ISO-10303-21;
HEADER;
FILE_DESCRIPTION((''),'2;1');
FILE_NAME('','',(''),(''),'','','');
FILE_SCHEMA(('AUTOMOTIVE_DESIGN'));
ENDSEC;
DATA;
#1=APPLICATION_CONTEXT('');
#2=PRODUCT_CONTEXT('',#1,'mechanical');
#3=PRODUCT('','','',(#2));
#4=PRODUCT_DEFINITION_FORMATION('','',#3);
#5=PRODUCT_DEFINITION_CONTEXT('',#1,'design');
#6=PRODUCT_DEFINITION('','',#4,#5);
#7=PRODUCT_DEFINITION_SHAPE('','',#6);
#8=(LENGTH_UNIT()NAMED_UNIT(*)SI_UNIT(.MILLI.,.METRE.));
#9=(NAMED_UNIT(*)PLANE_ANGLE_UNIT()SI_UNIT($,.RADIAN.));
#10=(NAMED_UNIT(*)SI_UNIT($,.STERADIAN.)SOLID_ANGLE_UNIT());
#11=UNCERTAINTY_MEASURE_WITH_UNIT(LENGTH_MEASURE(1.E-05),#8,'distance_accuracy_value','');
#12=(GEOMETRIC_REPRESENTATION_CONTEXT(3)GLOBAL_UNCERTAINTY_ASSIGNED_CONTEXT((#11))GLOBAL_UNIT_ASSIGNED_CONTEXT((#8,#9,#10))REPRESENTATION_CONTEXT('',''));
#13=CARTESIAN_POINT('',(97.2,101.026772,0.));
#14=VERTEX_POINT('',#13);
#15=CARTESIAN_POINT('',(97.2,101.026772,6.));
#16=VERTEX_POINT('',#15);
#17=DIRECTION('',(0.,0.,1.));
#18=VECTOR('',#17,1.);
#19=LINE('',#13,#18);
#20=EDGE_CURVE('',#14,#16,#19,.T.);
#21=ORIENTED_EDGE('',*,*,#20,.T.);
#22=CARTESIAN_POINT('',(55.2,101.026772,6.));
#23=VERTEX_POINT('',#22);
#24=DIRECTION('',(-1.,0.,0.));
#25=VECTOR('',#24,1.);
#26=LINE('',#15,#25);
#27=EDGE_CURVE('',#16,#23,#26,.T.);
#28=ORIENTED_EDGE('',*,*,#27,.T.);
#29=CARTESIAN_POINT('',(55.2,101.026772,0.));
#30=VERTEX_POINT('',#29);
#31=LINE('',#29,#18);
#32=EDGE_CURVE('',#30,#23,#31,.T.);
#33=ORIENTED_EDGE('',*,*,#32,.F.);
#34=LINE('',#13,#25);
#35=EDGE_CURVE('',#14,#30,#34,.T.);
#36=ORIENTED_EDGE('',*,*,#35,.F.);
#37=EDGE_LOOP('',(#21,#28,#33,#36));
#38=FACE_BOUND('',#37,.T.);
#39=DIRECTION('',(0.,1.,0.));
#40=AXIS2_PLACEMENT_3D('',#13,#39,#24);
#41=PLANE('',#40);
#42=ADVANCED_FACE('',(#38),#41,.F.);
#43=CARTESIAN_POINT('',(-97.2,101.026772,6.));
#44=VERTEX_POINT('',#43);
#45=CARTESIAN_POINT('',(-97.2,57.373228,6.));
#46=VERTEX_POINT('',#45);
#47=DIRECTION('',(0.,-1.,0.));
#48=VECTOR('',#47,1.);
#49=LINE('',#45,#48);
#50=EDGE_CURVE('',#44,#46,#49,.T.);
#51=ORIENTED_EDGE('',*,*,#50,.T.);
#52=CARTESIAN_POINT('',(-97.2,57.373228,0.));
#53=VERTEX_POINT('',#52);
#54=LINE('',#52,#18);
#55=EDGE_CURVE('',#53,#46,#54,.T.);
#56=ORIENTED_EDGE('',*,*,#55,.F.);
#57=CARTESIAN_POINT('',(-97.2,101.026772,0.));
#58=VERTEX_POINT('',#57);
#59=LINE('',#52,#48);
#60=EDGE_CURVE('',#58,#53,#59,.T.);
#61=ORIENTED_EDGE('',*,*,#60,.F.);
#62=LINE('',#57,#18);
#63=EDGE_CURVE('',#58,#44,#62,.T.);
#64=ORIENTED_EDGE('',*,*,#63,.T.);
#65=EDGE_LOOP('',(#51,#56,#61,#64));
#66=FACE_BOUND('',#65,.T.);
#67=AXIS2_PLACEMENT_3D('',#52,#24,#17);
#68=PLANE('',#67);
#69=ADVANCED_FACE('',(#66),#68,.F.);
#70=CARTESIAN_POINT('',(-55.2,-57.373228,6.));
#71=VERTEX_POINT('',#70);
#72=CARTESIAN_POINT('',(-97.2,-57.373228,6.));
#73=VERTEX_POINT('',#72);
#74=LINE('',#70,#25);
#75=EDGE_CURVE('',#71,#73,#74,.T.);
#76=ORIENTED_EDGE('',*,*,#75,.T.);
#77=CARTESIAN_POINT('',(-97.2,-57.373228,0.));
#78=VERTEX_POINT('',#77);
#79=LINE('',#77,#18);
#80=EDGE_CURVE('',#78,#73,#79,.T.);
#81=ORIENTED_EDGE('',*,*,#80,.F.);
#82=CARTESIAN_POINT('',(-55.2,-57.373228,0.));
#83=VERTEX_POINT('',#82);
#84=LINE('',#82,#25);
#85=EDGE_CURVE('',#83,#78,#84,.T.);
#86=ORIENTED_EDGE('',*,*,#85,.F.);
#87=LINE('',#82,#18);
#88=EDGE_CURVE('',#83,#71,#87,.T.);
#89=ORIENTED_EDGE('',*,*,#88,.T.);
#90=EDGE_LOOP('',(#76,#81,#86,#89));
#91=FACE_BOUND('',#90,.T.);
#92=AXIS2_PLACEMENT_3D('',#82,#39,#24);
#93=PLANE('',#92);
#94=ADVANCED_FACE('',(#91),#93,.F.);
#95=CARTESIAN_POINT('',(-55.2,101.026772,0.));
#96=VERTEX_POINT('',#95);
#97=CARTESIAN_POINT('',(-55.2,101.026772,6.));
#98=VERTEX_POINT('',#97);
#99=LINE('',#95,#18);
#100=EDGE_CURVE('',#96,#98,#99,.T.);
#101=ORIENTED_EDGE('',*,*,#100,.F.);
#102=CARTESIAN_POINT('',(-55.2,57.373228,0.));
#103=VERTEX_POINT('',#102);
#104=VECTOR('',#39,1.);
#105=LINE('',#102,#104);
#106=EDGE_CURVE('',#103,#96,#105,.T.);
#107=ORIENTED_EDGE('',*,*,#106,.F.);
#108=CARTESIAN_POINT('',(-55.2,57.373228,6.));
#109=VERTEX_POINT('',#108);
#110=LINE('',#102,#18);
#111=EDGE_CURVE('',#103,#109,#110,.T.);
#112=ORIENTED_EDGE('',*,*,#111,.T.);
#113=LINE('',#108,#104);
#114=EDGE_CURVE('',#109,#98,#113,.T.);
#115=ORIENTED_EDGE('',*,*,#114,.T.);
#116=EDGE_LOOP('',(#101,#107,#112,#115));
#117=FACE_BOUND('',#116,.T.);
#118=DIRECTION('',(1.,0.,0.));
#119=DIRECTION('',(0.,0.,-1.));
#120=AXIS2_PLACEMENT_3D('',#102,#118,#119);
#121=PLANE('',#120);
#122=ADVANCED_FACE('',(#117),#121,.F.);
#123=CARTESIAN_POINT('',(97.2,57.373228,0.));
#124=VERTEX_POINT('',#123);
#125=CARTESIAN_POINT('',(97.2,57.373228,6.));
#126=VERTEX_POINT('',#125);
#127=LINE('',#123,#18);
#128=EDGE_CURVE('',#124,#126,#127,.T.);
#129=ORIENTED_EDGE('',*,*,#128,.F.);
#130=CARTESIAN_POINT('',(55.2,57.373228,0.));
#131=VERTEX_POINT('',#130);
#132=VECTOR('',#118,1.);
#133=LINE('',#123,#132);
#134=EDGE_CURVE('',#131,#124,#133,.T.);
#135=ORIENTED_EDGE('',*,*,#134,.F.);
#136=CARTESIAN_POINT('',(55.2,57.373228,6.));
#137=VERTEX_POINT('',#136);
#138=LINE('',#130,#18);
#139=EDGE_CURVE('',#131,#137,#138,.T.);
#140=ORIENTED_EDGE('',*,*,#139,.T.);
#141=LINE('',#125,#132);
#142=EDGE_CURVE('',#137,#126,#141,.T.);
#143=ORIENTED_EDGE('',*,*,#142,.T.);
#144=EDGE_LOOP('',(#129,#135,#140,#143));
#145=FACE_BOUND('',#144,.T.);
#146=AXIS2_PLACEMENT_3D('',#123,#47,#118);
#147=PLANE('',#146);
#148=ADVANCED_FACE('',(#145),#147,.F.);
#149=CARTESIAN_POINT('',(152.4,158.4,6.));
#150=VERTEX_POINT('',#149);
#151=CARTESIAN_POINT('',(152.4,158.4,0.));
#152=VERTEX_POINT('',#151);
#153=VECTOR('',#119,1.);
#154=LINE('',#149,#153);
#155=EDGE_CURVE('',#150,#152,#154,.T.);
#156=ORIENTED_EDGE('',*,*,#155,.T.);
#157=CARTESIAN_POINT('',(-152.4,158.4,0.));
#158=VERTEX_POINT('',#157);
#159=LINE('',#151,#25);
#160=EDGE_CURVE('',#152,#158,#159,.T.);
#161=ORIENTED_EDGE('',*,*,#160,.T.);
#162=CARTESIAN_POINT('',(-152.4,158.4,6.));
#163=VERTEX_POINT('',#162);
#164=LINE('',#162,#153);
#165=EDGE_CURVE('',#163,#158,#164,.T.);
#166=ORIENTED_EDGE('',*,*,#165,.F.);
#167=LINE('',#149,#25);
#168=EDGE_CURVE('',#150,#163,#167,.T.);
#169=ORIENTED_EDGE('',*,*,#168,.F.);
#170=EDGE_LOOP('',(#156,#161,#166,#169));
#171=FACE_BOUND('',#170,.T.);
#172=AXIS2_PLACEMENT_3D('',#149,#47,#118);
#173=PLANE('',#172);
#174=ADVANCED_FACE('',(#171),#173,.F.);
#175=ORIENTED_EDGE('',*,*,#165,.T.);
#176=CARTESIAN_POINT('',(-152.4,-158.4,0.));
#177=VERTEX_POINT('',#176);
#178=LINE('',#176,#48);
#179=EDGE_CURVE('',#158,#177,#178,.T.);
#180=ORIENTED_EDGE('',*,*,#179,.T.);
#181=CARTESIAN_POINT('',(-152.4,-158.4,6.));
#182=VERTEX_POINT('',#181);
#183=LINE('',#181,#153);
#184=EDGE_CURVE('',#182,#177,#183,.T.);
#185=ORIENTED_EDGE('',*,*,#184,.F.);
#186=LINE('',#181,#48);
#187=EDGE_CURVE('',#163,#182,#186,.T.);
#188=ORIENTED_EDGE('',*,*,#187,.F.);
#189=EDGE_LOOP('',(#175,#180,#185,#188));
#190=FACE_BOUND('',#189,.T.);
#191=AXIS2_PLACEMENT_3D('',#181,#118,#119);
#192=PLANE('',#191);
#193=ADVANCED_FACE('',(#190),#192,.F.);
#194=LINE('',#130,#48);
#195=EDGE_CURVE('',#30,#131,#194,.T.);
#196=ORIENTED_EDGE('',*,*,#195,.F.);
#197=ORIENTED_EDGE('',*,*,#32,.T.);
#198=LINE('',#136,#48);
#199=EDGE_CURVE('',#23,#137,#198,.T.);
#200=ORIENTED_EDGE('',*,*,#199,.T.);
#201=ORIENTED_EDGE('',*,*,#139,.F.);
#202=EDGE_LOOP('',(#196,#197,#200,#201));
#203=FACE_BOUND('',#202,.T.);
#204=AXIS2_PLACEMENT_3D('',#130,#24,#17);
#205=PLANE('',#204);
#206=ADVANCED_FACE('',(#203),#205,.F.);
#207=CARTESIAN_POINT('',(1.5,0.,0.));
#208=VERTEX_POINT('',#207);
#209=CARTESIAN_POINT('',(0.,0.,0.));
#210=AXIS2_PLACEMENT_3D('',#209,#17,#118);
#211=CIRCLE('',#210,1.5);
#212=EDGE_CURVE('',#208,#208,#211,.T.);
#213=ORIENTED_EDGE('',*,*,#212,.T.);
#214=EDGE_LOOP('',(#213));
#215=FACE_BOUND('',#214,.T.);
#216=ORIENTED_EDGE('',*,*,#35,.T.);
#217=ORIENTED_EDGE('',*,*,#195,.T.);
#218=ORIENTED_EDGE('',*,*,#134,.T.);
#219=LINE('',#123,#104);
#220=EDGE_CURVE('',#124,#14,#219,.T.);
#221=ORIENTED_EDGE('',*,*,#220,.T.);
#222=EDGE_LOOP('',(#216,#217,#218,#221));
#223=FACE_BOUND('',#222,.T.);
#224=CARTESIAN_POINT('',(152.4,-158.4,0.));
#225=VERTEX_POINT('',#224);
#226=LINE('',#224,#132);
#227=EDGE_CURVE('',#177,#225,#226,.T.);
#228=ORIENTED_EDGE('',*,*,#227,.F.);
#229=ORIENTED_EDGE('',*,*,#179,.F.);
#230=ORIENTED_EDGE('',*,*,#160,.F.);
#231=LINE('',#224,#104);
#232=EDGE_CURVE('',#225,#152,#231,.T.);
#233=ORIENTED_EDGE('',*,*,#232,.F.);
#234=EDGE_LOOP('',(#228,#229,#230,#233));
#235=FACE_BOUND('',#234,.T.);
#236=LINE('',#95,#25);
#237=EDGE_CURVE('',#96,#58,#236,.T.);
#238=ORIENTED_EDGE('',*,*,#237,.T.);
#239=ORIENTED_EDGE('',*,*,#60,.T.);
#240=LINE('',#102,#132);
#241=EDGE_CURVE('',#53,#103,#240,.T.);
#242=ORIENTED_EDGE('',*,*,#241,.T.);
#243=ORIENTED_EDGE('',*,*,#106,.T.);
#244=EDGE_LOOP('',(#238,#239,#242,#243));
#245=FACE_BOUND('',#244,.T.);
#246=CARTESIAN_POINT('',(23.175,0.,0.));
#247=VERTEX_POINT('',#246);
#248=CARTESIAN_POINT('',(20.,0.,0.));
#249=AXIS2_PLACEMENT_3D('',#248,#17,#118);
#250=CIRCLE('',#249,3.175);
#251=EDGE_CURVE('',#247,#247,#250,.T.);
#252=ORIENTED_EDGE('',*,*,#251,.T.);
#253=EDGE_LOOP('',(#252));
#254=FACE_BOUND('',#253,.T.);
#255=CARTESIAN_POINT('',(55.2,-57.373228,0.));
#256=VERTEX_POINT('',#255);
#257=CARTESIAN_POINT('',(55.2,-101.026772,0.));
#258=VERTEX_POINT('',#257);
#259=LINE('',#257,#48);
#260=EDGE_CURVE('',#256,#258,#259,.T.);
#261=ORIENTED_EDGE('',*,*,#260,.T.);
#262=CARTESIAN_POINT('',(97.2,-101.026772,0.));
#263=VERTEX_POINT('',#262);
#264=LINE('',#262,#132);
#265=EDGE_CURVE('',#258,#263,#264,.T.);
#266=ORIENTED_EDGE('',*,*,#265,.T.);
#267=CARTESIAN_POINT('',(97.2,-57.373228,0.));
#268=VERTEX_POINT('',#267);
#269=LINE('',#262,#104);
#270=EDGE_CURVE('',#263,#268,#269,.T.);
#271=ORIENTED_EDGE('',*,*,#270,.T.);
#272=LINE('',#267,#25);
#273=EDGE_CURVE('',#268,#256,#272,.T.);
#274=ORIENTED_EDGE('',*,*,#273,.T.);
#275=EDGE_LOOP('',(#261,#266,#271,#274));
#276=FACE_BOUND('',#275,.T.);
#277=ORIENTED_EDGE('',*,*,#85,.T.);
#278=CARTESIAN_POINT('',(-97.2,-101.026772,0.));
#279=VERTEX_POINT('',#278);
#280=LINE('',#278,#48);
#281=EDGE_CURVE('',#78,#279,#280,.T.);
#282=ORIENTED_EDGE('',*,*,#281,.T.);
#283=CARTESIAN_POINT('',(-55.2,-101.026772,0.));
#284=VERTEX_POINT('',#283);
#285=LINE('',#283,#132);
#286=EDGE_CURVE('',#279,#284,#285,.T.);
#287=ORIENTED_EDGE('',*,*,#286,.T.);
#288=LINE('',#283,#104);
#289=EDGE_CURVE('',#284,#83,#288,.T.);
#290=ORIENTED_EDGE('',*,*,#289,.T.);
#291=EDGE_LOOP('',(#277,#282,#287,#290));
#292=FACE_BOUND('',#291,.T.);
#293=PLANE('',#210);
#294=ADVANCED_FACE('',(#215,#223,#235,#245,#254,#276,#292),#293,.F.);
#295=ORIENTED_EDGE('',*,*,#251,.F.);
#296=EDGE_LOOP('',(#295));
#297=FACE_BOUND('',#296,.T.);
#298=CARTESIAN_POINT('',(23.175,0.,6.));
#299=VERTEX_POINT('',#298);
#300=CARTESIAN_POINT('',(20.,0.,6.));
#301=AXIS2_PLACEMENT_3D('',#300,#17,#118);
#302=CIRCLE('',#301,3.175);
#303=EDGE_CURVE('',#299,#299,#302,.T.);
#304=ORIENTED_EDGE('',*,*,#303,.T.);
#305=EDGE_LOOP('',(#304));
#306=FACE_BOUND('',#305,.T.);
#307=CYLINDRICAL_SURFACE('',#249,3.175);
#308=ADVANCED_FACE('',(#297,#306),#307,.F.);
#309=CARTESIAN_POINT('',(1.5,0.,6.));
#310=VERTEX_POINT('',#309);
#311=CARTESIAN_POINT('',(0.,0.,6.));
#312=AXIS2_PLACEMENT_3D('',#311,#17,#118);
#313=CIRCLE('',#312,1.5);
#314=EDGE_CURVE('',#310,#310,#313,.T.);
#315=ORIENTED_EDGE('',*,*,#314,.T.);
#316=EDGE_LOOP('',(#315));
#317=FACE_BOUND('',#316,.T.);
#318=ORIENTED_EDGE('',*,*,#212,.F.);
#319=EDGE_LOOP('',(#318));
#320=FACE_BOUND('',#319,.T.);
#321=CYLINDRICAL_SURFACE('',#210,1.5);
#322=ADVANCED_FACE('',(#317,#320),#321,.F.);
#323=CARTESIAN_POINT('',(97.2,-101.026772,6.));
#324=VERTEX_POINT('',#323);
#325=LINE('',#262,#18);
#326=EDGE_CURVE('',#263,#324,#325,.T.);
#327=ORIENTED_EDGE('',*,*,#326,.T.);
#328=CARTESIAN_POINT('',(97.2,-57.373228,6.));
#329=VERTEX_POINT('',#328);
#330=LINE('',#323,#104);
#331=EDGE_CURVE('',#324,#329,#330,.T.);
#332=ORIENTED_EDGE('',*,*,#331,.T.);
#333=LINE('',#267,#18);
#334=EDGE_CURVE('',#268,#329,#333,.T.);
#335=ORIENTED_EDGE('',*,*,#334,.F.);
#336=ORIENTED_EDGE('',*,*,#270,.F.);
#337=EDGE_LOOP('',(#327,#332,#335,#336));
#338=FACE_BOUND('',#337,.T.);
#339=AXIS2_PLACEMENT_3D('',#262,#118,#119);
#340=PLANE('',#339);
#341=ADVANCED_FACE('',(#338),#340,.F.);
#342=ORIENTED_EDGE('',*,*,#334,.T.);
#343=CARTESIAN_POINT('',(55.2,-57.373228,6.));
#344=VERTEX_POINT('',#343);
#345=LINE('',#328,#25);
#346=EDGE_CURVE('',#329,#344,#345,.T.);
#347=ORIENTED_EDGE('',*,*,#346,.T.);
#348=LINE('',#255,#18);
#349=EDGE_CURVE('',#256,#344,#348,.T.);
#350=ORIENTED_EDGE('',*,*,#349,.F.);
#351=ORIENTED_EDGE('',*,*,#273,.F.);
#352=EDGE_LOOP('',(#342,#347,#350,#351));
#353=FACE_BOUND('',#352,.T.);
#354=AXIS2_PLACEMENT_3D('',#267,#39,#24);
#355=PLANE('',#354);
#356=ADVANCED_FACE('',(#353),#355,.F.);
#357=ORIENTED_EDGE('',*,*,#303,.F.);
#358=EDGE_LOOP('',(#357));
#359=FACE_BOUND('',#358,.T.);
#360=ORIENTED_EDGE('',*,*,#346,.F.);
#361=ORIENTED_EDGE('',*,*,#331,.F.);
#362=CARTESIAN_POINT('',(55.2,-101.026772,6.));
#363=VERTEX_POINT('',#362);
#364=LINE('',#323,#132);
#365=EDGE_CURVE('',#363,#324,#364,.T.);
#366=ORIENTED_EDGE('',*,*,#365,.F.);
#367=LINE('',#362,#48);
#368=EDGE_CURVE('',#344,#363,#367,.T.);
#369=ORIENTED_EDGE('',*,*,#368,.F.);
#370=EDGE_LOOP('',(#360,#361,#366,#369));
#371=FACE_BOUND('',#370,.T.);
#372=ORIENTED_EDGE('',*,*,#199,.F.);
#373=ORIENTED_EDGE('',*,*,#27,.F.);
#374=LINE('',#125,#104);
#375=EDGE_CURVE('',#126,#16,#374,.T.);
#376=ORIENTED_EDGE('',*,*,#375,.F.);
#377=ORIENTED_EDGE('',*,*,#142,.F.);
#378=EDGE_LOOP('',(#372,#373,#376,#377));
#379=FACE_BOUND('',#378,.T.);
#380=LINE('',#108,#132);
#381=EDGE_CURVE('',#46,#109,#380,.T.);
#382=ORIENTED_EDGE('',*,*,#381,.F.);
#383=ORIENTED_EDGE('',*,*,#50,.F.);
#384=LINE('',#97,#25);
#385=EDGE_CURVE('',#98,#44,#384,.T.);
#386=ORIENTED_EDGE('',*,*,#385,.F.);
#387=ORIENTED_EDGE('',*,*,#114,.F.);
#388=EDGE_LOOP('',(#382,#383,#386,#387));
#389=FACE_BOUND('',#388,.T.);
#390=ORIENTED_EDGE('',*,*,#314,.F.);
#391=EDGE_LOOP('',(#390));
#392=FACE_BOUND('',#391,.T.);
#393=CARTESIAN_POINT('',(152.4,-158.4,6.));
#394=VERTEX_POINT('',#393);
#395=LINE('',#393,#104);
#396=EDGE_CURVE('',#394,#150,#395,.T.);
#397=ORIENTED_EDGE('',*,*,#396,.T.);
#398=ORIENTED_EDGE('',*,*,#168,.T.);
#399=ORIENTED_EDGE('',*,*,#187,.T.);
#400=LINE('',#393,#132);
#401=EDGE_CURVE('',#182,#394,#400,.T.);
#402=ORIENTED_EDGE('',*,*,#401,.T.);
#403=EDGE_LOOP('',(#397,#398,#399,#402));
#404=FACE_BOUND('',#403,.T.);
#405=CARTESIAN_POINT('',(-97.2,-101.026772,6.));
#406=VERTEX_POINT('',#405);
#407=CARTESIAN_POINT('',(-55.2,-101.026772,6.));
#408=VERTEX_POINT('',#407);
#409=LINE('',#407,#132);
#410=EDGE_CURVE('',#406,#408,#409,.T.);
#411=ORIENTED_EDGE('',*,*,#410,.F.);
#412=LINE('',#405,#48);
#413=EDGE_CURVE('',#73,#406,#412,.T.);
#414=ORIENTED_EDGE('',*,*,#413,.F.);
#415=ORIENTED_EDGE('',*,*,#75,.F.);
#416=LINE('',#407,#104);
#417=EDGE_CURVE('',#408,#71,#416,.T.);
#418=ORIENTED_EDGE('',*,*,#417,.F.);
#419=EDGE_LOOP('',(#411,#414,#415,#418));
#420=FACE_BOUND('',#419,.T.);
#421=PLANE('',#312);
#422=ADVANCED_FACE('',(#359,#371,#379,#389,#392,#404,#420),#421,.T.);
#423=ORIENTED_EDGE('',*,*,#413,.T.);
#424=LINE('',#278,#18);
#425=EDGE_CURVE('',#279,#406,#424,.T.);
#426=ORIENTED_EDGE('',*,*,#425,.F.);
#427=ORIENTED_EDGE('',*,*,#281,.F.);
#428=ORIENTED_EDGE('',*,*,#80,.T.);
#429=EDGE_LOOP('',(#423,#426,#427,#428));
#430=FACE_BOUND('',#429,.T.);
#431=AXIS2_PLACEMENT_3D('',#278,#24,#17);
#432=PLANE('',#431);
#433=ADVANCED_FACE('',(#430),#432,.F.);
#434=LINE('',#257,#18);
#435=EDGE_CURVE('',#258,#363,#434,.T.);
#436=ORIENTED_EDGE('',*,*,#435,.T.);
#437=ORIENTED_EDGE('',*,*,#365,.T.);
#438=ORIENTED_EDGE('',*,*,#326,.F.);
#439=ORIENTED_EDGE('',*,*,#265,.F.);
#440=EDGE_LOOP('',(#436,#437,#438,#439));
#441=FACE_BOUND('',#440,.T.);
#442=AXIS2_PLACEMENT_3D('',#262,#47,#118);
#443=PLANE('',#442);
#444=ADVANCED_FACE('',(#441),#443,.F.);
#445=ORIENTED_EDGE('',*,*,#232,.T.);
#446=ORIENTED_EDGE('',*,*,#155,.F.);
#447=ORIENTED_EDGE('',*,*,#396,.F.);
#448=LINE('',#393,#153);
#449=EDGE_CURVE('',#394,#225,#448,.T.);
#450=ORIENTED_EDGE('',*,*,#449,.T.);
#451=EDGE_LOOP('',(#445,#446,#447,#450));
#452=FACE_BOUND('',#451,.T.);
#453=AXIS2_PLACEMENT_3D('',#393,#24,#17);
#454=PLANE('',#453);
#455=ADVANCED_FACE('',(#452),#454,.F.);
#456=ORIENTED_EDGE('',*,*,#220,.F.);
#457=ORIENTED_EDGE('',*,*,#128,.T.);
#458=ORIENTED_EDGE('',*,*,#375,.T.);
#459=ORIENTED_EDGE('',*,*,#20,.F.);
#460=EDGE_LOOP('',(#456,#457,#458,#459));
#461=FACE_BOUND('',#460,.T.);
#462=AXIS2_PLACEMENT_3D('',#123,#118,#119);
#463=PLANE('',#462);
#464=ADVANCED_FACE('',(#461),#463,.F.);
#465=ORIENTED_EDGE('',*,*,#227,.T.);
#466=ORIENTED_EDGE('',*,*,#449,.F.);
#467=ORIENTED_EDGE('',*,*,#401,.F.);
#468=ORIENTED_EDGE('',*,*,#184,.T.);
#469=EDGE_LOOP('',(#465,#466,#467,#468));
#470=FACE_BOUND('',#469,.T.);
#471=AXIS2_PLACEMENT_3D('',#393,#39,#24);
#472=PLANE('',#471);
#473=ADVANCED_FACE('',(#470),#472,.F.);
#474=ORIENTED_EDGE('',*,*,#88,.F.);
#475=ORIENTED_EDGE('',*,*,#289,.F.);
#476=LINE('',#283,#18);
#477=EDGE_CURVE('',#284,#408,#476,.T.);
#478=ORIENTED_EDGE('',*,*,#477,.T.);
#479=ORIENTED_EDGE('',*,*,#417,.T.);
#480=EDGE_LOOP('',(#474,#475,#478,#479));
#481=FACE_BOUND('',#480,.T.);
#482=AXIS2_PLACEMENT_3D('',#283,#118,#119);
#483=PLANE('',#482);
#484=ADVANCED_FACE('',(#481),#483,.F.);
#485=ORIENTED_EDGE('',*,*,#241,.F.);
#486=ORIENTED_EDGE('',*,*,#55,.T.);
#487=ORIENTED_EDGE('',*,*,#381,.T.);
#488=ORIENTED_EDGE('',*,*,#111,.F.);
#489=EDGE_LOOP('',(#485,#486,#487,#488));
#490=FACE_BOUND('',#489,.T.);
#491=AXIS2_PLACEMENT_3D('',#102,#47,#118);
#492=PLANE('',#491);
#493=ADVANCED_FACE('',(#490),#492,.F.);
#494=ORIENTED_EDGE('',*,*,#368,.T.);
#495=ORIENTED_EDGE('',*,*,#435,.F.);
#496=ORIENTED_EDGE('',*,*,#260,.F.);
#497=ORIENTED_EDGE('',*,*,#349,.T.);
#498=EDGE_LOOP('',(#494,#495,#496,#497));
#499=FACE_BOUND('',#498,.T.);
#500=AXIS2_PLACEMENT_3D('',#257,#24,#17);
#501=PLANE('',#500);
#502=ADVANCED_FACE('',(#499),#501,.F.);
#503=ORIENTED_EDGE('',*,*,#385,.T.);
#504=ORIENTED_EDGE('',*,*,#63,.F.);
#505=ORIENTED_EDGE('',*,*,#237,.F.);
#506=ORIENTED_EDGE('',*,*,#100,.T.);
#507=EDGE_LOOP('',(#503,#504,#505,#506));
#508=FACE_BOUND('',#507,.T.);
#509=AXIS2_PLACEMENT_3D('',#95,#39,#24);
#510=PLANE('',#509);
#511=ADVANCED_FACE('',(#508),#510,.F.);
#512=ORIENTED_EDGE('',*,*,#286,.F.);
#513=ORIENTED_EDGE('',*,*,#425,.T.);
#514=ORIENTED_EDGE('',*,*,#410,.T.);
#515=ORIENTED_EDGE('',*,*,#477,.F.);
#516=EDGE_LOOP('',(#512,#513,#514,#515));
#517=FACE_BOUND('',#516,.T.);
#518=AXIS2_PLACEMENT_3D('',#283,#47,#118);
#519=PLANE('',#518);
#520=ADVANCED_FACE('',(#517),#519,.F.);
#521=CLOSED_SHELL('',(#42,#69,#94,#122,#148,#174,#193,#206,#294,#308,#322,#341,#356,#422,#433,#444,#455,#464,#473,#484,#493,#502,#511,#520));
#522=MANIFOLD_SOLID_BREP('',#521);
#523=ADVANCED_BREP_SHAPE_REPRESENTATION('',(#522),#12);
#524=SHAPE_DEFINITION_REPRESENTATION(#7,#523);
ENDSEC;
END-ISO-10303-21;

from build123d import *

# Parameters (mm, degrees)
SKETCH1_W           = 304.8
SKETCH1_H           = 316.8
BOSS_EXTRUDE1_DEPTH = 6
SKETCH3_W           = 42
SKETCH3_H           = 43.653543308
CUT_EXTRUDE2_DEPTH  = 220.891609663
SKETCH4_R           = 1.5
CUT_EXTRUDE3_DEPTH  = 220.891609663
SKETCH5_R           = 3.175
CUT_EXTRUDE4_DEPTH  = 220.891609663


with BuildPart() as part:
    # Sketch1 → Boss-Extrude1 (new body)
    with BuildSketch(Plane.XY):
        Rectangle(SKETCH1_W, SKETCH1_H)
    extrude(amount=BOSS_EXTRUDE1_DEPTH)

    # Sketch3 → Cut-Extrude2 (cut, through all)
    with BuildSketch(Plane.XY.offset(6)):
        with Locations((-76.2, 79.2)):
            Rectangle(SKETCH3_W, SKETCH3_H)
        with Locations((76.2, 79.2)):
            Rectangle(SKETCH3_W, SKETCH3_H)
        with Locations((76.2, -79.2)):
            Rectangle(SKETCH3_W, SKETCH3_H)
        with Locations((-76.2, -79.2)):
            Rectangle(SKETCH3_W, SKETCH3_H)
    extrude(amount=-CUT_EXTRUDE2_DEPTH, mode=Mode.SUBTRACT)

    # Sketch4 → Cut-Extrude3 (cut, through all)
    with BuildSketch(Plane.XY.offset(6)):
        Circle(SKETCH4_R)
    extrude(amount=-CUT_EXTRUDE3_DEPTH, mode=Mode.SUBTRACT)

    # Sketch5 → Cut-Extrude4 (cut, through all)
    with BuildSketch(Plane.XY.offset(6)):
        with Locations((20, 0)):
            Circle(SKETCH5_R)
    extrude(amount=-CUT_EXTRUDE4_DEPTH, mode=Mode.SUBTRACT)


solid = part.part
